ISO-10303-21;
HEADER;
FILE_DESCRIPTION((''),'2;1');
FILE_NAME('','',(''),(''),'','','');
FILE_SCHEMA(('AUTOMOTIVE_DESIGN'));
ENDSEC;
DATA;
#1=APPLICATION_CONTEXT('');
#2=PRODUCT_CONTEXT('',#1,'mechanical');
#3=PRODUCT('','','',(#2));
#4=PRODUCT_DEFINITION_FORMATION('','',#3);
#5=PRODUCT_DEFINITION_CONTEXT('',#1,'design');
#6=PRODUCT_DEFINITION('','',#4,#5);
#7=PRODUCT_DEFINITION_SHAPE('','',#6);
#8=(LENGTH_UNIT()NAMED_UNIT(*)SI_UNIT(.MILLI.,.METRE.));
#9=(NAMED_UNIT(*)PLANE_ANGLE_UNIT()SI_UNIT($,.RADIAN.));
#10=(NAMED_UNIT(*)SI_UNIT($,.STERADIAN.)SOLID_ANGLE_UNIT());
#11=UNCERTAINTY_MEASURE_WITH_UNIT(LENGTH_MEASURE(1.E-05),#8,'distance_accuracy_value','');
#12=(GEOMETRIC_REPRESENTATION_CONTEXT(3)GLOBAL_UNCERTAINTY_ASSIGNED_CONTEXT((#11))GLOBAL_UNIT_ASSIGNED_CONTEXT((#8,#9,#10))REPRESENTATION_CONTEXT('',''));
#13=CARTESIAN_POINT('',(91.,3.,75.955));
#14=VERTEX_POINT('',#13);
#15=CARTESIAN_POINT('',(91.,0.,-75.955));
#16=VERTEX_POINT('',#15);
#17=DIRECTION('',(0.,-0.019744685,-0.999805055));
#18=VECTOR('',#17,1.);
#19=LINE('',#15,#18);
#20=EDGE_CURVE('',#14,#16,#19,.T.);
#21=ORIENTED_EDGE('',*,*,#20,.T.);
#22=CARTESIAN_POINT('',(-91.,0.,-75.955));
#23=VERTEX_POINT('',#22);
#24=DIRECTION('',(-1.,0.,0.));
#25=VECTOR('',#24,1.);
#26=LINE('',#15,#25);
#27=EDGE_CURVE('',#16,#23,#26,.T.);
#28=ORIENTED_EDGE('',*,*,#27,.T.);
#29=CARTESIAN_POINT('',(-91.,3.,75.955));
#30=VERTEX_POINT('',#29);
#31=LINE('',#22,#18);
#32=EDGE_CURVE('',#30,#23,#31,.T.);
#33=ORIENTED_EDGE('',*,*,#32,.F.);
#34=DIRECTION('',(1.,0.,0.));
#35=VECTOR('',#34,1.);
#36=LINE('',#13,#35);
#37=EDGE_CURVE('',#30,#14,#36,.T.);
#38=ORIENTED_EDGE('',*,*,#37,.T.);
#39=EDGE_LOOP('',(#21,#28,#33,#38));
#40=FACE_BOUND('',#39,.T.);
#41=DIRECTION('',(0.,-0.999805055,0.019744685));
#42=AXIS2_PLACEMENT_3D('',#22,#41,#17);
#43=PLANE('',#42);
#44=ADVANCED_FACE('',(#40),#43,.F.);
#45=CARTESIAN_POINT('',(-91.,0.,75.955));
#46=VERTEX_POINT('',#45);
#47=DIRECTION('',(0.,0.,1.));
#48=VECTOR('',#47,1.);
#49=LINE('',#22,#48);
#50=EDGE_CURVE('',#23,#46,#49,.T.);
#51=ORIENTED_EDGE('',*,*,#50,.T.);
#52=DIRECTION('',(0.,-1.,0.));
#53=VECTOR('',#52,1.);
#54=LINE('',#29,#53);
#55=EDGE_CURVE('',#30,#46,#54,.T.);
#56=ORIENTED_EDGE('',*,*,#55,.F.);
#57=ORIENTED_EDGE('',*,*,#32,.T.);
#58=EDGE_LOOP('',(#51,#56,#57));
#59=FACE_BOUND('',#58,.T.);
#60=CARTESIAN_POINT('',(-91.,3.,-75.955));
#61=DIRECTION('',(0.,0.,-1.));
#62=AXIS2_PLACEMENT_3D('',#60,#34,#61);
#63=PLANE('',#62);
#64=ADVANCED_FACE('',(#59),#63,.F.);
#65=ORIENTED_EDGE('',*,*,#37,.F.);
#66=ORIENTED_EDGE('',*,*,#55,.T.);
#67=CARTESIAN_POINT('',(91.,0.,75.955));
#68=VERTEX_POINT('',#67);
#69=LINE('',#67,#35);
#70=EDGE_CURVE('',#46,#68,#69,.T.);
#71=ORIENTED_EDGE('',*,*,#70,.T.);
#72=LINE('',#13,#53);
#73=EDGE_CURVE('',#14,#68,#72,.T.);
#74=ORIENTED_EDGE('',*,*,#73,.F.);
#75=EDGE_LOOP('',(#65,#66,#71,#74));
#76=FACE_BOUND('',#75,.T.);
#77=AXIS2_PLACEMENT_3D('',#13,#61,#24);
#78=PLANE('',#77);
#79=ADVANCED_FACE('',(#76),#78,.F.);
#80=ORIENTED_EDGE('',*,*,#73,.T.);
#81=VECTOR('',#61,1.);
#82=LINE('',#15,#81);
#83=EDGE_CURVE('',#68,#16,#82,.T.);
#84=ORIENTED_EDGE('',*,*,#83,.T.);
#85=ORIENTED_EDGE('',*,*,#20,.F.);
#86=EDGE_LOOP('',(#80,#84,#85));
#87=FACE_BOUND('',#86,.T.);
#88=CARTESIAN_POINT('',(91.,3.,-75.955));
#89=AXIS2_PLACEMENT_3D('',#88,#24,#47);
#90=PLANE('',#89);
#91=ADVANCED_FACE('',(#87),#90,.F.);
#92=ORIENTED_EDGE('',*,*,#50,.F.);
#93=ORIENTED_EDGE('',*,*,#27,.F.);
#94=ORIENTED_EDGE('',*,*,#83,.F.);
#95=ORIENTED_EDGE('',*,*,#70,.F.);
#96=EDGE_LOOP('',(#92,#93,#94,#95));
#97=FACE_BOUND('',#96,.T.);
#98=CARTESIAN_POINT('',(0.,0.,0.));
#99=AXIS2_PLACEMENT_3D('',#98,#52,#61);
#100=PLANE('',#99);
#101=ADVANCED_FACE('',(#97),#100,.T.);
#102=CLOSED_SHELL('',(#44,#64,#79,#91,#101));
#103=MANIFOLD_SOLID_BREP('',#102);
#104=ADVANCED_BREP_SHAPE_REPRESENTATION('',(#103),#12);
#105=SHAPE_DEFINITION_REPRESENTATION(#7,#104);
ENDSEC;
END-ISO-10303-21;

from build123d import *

# Parameters (mm, degrees)
SKETCH1_W           = 182
SKETCH1_H           = 151.91
BOSS_EXTRUDE1_DEPTH = 3
CUT_EXTRUDE1_DEPTH  = 198.236310108


with BuildPart() as part:
    # Sketch1 → Boss-Extrude1 (new body)
    with BuildSketch(Plane(origin=(0, 0, 0), x_dir=(1, 0, 0), z_dir=(0, 1, 0))):
        Rectangle(SKETCH1_W, SKETCH1_H)
    extrude(amount=BOSS_EXTRUDE1_DEPTH)

    # Sketch2 → Cut-Extrude1 (cut, through all)
    with BuildSketch(Plane(origin=(91, 0, 0), x_dir=(0, 0, -1), z_dir=(1, 0, 0))):
        Polygon((-75.955, 3), (75.955, 3), (75.955, 0), align=None)
    extrude(amount=-CUT_EXTRUDE1_DEPTH, mode=Mode.SUBTRACT)


solid = part.part
